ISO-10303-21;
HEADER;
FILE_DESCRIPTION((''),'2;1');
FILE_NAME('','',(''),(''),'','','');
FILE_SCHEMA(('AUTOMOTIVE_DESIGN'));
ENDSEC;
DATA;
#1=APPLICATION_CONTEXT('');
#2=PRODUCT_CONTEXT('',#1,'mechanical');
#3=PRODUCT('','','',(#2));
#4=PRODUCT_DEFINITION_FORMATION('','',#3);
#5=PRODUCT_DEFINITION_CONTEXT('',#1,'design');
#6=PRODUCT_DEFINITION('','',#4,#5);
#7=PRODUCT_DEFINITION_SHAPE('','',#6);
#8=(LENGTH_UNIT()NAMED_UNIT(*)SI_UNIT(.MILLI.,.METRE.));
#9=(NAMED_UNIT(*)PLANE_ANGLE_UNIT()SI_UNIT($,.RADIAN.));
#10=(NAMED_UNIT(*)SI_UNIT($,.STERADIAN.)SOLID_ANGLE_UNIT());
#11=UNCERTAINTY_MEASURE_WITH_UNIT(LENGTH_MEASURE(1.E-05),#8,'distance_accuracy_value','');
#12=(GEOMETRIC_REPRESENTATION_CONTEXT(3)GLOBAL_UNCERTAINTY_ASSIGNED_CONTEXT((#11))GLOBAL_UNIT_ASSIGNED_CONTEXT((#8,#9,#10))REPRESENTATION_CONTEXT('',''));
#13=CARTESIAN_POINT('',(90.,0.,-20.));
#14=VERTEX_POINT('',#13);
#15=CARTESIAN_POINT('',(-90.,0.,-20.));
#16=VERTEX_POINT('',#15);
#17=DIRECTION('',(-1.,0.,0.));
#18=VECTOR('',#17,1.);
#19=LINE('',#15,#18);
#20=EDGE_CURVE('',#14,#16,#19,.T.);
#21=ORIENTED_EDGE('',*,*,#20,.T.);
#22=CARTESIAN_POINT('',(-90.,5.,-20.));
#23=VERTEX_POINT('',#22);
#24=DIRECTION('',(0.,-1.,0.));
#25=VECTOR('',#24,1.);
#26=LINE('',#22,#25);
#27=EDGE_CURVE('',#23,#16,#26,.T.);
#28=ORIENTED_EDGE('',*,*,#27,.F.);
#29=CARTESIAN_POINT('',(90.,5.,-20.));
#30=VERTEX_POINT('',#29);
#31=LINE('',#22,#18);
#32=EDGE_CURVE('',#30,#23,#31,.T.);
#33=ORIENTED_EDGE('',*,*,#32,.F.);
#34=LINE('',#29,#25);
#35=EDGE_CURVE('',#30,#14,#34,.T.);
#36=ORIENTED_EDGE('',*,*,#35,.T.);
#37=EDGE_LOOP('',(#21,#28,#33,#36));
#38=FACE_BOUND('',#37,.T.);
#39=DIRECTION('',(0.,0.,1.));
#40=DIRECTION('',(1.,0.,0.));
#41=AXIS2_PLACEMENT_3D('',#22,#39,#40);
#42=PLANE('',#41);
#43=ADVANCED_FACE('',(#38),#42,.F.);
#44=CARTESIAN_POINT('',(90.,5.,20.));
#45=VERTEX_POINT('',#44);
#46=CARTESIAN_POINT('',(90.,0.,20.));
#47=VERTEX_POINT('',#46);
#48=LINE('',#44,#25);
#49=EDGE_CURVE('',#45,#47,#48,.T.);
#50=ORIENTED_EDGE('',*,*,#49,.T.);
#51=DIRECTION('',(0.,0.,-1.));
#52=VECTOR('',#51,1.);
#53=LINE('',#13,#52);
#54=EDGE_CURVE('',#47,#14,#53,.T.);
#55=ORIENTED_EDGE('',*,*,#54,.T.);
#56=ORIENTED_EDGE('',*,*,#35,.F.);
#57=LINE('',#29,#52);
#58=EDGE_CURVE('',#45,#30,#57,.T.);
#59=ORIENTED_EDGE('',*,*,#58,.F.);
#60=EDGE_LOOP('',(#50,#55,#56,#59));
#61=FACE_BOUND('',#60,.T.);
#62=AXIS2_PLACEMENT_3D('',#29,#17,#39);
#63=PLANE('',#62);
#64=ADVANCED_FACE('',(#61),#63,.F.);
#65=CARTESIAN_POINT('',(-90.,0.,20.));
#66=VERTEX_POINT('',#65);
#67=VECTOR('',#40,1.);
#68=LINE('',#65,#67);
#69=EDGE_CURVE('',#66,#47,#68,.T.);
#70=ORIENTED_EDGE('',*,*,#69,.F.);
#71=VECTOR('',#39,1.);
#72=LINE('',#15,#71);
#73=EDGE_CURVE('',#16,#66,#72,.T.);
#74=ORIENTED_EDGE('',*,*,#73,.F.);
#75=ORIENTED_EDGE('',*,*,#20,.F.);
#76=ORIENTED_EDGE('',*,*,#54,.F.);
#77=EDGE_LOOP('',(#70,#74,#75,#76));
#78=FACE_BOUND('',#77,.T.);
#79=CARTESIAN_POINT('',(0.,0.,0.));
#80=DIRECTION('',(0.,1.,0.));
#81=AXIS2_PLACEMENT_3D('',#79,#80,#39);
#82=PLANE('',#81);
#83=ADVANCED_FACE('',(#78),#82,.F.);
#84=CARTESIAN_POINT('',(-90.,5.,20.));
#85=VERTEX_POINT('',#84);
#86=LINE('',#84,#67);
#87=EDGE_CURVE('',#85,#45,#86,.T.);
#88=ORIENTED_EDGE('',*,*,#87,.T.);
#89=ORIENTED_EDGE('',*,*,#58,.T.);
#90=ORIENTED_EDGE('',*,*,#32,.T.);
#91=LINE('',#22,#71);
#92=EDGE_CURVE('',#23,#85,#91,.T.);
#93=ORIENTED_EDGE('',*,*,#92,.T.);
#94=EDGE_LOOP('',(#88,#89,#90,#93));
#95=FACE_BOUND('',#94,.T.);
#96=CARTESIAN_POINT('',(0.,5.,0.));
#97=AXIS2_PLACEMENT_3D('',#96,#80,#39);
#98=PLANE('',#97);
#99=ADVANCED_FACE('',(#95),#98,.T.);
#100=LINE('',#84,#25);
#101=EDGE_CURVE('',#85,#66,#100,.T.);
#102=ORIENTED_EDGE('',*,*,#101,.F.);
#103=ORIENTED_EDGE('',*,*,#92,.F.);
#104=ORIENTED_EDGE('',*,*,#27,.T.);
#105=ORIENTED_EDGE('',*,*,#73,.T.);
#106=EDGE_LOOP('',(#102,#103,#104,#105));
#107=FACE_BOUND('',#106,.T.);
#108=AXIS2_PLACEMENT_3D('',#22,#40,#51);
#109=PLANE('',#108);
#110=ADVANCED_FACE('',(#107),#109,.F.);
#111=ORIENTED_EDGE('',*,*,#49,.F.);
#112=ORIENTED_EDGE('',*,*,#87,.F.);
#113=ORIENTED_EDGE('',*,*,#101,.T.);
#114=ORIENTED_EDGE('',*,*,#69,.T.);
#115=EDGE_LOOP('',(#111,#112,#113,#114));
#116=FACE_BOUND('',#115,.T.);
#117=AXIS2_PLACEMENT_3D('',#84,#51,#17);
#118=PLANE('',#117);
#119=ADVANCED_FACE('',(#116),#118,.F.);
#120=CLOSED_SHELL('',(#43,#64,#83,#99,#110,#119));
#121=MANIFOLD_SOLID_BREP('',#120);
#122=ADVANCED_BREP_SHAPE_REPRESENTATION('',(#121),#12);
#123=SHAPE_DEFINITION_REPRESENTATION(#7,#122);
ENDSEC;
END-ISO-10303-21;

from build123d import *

# Parameters (mm, degrees)
SKETCH_1_W      = 180
SKETCH_1_H      = 40
EXTRUDE_1_DEPTH = 5


with BuildPart() as part:
    # ｽｹｯﾁ1 → ﾎﾞｽ - 押し出し1 (new body)
    with BuildSketch(Plane(origin=(0, 0, 0), x_dir=(1, 0, 0), z_dir=(0, 1, 0))):
        Rectangle(SKETCH_1_W, SKETCH_1_H)
    extrude(amount=EXTRUDE_1_DEPTH)


solid = part.part
